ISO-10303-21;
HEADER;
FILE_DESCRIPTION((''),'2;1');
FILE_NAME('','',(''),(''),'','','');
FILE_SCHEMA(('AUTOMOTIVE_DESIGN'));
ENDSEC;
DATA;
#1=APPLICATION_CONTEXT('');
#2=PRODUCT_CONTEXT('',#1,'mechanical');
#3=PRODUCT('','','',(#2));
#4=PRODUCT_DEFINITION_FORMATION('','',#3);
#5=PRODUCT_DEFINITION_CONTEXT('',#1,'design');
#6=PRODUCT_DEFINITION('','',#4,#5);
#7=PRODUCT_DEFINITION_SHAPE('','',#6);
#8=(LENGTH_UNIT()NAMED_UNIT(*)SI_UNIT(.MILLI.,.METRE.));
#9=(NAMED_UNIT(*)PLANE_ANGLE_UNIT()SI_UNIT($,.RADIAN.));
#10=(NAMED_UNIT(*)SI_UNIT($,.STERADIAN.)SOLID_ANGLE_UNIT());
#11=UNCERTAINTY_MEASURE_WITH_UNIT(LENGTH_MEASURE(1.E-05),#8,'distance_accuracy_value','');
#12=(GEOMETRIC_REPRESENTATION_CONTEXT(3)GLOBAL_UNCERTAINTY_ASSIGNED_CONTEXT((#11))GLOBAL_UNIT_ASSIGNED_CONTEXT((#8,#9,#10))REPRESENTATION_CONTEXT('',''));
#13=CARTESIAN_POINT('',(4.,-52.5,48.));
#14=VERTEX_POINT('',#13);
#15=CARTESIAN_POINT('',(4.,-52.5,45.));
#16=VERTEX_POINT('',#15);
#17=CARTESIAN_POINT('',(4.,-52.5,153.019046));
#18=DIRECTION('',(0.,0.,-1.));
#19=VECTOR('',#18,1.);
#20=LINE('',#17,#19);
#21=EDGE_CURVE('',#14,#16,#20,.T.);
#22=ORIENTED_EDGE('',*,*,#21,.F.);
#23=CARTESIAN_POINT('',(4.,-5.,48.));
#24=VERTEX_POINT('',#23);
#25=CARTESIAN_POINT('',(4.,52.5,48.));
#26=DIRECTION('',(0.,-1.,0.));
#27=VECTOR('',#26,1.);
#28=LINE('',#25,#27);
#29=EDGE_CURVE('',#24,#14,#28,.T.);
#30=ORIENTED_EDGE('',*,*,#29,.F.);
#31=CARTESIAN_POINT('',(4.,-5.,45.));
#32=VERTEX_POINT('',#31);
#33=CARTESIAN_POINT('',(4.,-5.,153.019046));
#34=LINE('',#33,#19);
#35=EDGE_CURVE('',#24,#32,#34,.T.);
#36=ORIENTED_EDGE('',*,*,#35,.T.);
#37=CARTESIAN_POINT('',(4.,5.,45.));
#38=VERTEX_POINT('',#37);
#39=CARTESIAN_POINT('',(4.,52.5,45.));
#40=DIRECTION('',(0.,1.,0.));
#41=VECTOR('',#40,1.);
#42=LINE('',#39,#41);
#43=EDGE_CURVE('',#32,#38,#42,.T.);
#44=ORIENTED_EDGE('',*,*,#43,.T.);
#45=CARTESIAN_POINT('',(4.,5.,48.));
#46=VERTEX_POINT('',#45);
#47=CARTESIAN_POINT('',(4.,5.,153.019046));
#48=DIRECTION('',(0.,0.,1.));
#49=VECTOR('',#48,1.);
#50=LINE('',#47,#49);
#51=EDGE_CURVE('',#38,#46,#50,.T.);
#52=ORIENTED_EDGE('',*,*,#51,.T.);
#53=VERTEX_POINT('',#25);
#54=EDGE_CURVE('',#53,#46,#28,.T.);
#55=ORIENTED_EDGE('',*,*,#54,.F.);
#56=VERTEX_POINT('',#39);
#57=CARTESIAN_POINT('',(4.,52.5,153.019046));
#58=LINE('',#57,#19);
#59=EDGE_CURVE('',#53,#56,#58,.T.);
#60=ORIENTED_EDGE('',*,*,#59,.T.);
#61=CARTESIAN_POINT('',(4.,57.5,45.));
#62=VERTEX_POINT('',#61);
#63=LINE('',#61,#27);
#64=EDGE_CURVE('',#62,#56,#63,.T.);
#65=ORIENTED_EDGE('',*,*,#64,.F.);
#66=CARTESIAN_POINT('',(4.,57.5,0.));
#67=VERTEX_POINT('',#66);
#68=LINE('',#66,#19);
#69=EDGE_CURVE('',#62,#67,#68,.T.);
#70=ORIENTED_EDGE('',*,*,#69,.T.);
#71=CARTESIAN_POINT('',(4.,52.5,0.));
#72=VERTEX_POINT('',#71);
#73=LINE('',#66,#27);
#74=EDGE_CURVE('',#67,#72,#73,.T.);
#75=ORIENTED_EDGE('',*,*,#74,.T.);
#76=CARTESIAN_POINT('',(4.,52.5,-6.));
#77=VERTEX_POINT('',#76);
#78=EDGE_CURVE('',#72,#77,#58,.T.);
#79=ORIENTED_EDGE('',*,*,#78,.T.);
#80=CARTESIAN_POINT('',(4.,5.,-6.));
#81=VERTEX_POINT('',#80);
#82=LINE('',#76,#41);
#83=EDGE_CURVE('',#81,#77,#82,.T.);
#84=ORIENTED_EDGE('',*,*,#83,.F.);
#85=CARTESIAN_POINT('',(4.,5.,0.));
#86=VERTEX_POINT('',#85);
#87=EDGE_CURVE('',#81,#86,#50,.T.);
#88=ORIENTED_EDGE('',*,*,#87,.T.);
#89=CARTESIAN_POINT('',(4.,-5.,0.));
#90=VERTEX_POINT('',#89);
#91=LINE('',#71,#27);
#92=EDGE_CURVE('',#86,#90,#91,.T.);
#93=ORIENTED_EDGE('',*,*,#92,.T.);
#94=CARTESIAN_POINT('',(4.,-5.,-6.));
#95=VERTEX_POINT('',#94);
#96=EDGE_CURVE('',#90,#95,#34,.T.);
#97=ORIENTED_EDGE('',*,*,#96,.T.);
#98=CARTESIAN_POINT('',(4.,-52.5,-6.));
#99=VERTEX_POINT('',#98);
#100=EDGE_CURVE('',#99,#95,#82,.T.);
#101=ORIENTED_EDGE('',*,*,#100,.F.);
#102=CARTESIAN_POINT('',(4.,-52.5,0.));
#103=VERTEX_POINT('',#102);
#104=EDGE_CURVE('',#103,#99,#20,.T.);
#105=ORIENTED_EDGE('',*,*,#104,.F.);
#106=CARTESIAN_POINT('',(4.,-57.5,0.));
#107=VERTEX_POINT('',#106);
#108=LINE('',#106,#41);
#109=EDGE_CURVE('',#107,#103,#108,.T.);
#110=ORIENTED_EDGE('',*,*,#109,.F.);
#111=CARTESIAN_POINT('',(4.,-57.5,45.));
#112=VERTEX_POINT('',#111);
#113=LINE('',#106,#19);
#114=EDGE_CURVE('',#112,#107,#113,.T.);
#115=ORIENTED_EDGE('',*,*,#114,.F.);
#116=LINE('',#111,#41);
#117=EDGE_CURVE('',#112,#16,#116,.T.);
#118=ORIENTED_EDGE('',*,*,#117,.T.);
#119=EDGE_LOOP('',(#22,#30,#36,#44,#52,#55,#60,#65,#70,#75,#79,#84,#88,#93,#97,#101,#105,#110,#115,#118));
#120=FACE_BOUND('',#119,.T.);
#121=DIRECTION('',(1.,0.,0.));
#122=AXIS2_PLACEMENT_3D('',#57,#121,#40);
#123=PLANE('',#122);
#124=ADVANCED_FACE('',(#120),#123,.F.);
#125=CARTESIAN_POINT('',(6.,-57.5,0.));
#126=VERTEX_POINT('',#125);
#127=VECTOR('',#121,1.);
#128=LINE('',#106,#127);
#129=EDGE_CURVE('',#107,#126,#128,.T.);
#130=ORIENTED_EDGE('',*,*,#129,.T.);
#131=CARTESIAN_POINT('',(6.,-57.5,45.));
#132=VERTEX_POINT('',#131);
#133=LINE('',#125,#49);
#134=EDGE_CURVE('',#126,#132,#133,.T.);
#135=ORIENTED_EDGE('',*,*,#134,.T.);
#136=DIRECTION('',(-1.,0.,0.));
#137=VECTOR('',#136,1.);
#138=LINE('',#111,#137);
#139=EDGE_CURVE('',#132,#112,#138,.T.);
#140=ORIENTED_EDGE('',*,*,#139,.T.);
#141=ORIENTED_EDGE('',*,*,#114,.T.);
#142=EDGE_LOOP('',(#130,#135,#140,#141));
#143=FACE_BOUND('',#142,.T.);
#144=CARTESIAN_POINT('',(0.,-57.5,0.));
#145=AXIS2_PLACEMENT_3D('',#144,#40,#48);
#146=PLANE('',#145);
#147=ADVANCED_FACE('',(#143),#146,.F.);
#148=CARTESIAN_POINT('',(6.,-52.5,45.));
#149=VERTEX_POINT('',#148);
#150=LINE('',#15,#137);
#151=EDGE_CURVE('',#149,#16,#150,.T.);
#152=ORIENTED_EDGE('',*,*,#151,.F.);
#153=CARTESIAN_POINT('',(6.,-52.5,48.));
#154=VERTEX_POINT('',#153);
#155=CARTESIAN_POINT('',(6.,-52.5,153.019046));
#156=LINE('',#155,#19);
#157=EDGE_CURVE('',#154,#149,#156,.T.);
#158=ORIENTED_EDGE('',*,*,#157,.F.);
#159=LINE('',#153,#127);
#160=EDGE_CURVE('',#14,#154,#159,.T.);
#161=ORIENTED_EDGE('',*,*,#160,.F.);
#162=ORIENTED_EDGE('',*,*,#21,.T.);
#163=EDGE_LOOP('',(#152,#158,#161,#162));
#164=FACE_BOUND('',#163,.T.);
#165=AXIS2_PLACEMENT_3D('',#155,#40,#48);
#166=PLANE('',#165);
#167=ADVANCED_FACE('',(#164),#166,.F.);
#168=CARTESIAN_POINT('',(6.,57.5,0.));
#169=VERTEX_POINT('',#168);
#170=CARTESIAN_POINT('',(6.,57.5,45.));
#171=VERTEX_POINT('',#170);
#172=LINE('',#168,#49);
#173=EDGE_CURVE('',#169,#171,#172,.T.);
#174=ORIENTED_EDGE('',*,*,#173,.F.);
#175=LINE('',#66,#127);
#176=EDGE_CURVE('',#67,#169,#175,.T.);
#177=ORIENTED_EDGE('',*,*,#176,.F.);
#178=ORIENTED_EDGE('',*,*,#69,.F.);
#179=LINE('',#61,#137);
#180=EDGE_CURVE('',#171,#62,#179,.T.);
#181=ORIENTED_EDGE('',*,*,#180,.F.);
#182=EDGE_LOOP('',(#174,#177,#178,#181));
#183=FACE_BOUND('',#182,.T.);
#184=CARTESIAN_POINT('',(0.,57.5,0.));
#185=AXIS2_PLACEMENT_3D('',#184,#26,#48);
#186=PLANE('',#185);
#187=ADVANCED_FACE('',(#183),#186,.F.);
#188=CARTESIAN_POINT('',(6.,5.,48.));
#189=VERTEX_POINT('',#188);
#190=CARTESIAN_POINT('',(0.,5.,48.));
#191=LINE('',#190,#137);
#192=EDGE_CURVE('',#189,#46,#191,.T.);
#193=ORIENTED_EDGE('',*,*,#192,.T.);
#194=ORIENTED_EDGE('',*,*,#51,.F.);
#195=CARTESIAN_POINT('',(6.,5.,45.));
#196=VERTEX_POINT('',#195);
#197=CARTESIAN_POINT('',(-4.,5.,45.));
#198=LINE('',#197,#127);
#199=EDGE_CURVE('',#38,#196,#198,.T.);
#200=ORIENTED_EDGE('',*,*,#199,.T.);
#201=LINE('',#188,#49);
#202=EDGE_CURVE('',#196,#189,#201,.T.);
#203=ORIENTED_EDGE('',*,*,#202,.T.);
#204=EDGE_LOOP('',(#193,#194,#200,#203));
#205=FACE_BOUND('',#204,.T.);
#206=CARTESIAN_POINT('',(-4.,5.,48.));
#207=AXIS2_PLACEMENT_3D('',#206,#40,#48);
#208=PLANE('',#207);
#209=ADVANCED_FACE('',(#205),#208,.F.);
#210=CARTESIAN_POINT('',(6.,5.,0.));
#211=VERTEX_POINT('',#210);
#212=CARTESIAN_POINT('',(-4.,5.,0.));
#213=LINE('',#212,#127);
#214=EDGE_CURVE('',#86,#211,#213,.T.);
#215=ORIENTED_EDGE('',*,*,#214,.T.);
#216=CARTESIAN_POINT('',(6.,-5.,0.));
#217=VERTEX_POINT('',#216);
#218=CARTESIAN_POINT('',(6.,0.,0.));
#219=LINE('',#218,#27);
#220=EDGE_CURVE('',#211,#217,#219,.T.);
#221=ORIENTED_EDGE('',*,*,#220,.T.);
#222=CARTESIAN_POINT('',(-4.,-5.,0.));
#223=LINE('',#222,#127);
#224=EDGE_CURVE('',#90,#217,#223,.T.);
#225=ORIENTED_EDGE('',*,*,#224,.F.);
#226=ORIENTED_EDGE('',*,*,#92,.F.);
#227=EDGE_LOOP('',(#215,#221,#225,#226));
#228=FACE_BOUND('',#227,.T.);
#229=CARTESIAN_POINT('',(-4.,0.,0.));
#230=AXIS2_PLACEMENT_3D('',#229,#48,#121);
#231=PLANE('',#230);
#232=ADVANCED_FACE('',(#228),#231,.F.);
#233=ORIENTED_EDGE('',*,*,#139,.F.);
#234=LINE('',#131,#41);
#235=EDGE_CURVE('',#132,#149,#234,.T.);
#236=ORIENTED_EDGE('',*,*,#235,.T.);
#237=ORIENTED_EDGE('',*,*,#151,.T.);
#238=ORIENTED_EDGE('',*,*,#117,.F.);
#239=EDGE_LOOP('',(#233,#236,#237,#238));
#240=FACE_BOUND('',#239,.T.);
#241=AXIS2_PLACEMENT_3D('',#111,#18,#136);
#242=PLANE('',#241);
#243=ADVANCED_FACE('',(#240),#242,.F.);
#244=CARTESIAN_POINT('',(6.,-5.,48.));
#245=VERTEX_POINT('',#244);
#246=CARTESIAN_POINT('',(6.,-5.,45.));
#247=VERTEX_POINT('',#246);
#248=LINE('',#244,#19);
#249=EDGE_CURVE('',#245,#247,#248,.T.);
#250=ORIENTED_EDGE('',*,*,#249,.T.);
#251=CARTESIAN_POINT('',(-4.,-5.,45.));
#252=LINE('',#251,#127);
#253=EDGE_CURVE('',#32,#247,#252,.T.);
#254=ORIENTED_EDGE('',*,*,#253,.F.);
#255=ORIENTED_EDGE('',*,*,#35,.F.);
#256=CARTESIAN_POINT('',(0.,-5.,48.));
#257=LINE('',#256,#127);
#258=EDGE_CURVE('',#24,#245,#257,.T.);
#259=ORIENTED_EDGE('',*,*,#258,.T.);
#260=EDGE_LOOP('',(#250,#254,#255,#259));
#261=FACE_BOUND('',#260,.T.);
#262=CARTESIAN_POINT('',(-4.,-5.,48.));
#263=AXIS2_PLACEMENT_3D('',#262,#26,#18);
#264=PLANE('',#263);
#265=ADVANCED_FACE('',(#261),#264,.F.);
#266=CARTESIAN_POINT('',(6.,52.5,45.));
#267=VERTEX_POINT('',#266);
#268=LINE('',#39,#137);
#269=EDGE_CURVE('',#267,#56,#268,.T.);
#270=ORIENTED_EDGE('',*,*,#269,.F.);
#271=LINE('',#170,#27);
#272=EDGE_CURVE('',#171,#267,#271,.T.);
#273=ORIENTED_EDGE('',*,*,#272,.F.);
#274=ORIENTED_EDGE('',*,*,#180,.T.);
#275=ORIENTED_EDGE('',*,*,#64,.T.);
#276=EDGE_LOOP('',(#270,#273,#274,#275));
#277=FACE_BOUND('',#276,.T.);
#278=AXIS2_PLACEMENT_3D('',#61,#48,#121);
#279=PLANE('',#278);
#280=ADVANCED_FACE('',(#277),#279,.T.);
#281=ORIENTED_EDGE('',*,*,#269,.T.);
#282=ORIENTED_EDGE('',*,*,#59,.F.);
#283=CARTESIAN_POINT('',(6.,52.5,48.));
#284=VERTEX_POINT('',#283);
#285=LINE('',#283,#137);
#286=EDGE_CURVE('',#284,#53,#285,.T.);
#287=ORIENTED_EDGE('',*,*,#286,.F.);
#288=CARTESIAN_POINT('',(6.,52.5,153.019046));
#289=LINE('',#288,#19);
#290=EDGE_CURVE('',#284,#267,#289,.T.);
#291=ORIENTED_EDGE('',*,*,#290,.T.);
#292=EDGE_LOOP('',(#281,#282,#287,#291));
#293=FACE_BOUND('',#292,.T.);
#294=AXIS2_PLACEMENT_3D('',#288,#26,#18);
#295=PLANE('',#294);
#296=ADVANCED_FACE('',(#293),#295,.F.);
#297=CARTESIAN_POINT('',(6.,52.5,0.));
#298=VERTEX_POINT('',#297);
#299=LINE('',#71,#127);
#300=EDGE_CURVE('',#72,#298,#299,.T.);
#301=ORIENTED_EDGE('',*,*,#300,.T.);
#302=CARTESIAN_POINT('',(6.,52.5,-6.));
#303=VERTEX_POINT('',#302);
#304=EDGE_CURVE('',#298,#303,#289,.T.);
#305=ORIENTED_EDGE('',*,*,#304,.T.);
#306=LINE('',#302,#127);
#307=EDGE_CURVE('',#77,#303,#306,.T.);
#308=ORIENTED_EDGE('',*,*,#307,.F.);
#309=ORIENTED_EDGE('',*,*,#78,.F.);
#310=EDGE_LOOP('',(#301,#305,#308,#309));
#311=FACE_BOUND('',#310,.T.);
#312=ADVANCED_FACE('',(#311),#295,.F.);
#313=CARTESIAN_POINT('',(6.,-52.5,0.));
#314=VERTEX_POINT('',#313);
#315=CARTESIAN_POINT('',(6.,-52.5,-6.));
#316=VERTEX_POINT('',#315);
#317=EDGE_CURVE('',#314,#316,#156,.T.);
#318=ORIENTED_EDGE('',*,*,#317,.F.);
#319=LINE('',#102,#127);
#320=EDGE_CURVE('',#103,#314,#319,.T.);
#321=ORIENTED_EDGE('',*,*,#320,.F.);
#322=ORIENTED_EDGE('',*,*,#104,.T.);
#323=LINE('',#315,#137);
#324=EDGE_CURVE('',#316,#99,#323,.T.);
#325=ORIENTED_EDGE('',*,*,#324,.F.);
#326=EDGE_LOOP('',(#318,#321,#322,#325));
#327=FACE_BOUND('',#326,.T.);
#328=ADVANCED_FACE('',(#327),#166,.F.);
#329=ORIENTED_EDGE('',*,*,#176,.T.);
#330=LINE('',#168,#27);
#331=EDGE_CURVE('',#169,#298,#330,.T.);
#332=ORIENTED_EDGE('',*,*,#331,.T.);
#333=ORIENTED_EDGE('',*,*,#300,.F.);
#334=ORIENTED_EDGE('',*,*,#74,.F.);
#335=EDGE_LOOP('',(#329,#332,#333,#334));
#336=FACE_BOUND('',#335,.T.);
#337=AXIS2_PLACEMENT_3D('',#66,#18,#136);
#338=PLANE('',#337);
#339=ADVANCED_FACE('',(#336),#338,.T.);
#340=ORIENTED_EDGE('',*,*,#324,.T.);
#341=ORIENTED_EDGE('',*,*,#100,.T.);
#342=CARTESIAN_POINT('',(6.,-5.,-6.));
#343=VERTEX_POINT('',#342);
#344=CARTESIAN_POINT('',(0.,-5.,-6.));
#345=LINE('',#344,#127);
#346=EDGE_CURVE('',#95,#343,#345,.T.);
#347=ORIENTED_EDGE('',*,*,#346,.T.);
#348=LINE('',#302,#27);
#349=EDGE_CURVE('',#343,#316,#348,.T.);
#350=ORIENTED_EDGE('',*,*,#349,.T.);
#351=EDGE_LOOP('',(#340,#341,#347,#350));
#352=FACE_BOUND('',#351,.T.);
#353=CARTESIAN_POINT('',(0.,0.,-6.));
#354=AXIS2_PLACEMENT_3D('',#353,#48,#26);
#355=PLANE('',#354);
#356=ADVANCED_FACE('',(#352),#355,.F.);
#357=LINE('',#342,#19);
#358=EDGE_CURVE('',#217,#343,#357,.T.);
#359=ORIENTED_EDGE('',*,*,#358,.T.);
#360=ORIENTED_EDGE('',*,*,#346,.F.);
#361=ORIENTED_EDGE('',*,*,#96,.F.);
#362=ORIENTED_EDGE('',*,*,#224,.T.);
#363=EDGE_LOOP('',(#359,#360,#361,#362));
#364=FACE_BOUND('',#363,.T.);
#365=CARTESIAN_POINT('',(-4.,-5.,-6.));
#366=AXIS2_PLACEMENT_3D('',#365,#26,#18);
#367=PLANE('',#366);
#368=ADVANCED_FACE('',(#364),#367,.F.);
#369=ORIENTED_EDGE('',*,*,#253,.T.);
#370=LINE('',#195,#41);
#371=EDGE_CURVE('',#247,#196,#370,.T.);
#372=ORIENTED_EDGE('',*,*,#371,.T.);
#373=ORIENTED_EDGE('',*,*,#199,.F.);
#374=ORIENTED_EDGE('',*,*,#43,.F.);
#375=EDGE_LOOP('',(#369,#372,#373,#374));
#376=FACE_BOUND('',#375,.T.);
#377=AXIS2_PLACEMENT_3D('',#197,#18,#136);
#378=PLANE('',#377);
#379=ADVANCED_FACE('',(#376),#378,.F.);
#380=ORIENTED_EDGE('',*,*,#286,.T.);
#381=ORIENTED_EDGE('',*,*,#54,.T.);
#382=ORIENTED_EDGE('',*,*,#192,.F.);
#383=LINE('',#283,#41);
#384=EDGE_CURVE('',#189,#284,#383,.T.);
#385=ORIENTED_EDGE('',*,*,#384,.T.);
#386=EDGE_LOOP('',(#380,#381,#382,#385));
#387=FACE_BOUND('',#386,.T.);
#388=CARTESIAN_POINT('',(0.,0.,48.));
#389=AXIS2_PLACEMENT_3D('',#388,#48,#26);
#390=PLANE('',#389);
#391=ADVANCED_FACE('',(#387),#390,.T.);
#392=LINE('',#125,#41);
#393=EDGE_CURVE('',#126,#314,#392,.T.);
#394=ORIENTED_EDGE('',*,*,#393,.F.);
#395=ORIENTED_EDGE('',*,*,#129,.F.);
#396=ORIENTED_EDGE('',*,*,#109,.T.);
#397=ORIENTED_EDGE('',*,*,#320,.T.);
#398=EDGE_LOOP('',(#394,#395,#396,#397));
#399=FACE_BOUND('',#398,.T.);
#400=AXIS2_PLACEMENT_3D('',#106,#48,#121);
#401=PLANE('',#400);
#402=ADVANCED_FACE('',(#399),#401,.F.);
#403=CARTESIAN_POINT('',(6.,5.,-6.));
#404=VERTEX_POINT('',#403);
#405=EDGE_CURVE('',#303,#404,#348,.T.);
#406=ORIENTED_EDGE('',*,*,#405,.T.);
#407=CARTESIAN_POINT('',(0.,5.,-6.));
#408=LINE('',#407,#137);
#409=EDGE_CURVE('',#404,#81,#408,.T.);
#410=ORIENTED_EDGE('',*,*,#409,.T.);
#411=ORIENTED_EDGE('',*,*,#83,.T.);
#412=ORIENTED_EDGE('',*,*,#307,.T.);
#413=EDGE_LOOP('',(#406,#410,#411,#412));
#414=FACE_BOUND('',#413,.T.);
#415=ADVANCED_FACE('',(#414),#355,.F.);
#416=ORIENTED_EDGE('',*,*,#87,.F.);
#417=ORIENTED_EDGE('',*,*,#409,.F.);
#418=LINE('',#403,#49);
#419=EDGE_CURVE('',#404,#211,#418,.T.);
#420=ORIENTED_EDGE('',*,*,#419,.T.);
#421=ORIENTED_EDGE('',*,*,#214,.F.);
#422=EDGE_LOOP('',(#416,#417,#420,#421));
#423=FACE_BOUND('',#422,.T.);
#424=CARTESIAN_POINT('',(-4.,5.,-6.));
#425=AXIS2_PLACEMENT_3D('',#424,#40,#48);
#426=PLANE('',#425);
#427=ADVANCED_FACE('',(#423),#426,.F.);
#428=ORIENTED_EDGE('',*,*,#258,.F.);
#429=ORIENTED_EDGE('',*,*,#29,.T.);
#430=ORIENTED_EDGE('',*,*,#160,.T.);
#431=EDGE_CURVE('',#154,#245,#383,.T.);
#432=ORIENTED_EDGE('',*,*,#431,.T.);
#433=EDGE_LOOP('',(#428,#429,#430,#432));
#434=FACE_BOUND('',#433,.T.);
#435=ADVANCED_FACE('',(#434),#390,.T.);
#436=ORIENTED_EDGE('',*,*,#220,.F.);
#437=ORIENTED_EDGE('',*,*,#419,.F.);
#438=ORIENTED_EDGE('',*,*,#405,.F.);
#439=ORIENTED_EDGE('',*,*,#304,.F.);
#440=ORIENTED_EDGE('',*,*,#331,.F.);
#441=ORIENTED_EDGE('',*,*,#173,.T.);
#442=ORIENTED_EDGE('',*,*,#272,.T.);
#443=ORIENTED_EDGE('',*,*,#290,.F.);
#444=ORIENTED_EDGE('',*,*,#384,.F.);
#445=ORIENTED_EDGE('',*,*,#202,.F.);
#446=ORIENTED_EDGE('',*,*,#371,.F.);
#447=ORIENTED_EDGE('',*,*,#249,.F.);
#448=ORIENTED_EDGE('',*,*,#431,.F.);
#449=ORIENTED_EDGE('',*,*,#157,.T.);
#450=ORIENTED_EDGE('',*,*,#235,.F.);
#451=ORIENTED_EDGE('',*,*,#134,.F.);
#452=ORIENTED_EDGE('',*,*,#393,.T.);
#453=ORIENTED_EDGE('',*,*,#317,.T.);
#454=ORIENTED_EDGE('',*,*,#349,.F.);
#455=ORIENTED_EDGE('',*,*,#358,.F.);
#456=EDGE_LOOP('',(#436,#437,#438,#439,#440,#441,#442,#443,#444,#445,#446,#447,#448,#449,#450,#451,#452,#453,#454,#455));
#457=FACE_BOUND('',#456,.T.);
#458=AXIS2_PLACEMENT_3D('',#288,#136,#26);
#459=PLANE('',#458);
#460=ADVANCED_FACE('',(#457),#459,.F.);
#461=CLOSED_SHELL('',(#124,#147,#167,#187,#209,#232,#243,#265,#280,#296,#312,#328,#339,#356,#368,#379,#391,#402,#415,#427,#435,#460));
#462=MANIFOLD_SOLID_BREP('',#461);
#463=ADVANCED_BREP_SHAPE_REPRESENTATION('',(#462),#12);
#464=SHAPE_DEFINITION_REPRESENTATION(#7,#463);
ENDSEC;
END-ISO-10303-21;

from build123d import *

# Parameters (mm, degrees)
ESTRUSIONE_ESTRUSIONE1_DEPTH      = 48
ESTRUSIONE_ESTRUSIONE1_DEPTH_BACK = 6
SCHIZZO1_W                        = 2
SCHIZZO1_H                        = 105
TAGLIO_ESTRUSIONE1_DEPTH          = 10
SCHIZZO3_W                        = 2
SCHIZZO3_H                        = 45
ESTRUSIONE_ESTRUSIONE2_DEPTH      = 5


with BuildPart() as part:
    # Schizzo1 → Estrusione-Estrusione1 (new, two sides: drawn at the far end of the back side and taken through both)
    with BuildSketch(Plane.XY.offset(-ESTRUSIONE_ESTRUSIONE1_DEPTH_BACK)):
        with Locations((5, 0)):
            Rectangle(SCHIZZO1_W, SCHIZZO1_H)
    extrude(amount=ESTRUSIONE_ESTRUSIONE1_DEPTH + ESTRUSIONE_ESTRUSIONE1_DEPTH_BACK)

    # Schizzo2 → Taglio-Estrusione1 (cut)
    with BuildSketch(Plane(origin=(6, 0, 0), x_dir=(0, 0, -1), z_dir=(1, 0, 0))):
        Polygon((-48, -5), (-45, -5), (-45, 0), (-45, 5), (-48, 5), align=None)
        Polygon((6, -5), (0, -5), (0, 0), (0, 5), (6, 5), align=None)
    extrude(amount=-TAGLIO_ESTRUSIONE1_DEPTH, mode=Mode.SUBTRACT)

    # Schizzo3 → Estrusione-Estrusione2 (add)
    with BuildSketch(Plane.XZ.offset(52.5)):
        with Locations((5, 22.5)):
            Rectangle(SCHIZZO3_W, SCHIZZO3_H)
    estrusione_estrusione2 = extrude(amount=ESTRUSIONE_ESTRUSIONE2_DEPTH)

    # Specchia1: Estrusione-Estrusione2 across plane
    add(estrusione_estrusione2.mirror(Plane(origin=(0, 0, 0), x_dir=(0, 0, 1), z_dir=(0, -1, 0))))


solid = part.part
